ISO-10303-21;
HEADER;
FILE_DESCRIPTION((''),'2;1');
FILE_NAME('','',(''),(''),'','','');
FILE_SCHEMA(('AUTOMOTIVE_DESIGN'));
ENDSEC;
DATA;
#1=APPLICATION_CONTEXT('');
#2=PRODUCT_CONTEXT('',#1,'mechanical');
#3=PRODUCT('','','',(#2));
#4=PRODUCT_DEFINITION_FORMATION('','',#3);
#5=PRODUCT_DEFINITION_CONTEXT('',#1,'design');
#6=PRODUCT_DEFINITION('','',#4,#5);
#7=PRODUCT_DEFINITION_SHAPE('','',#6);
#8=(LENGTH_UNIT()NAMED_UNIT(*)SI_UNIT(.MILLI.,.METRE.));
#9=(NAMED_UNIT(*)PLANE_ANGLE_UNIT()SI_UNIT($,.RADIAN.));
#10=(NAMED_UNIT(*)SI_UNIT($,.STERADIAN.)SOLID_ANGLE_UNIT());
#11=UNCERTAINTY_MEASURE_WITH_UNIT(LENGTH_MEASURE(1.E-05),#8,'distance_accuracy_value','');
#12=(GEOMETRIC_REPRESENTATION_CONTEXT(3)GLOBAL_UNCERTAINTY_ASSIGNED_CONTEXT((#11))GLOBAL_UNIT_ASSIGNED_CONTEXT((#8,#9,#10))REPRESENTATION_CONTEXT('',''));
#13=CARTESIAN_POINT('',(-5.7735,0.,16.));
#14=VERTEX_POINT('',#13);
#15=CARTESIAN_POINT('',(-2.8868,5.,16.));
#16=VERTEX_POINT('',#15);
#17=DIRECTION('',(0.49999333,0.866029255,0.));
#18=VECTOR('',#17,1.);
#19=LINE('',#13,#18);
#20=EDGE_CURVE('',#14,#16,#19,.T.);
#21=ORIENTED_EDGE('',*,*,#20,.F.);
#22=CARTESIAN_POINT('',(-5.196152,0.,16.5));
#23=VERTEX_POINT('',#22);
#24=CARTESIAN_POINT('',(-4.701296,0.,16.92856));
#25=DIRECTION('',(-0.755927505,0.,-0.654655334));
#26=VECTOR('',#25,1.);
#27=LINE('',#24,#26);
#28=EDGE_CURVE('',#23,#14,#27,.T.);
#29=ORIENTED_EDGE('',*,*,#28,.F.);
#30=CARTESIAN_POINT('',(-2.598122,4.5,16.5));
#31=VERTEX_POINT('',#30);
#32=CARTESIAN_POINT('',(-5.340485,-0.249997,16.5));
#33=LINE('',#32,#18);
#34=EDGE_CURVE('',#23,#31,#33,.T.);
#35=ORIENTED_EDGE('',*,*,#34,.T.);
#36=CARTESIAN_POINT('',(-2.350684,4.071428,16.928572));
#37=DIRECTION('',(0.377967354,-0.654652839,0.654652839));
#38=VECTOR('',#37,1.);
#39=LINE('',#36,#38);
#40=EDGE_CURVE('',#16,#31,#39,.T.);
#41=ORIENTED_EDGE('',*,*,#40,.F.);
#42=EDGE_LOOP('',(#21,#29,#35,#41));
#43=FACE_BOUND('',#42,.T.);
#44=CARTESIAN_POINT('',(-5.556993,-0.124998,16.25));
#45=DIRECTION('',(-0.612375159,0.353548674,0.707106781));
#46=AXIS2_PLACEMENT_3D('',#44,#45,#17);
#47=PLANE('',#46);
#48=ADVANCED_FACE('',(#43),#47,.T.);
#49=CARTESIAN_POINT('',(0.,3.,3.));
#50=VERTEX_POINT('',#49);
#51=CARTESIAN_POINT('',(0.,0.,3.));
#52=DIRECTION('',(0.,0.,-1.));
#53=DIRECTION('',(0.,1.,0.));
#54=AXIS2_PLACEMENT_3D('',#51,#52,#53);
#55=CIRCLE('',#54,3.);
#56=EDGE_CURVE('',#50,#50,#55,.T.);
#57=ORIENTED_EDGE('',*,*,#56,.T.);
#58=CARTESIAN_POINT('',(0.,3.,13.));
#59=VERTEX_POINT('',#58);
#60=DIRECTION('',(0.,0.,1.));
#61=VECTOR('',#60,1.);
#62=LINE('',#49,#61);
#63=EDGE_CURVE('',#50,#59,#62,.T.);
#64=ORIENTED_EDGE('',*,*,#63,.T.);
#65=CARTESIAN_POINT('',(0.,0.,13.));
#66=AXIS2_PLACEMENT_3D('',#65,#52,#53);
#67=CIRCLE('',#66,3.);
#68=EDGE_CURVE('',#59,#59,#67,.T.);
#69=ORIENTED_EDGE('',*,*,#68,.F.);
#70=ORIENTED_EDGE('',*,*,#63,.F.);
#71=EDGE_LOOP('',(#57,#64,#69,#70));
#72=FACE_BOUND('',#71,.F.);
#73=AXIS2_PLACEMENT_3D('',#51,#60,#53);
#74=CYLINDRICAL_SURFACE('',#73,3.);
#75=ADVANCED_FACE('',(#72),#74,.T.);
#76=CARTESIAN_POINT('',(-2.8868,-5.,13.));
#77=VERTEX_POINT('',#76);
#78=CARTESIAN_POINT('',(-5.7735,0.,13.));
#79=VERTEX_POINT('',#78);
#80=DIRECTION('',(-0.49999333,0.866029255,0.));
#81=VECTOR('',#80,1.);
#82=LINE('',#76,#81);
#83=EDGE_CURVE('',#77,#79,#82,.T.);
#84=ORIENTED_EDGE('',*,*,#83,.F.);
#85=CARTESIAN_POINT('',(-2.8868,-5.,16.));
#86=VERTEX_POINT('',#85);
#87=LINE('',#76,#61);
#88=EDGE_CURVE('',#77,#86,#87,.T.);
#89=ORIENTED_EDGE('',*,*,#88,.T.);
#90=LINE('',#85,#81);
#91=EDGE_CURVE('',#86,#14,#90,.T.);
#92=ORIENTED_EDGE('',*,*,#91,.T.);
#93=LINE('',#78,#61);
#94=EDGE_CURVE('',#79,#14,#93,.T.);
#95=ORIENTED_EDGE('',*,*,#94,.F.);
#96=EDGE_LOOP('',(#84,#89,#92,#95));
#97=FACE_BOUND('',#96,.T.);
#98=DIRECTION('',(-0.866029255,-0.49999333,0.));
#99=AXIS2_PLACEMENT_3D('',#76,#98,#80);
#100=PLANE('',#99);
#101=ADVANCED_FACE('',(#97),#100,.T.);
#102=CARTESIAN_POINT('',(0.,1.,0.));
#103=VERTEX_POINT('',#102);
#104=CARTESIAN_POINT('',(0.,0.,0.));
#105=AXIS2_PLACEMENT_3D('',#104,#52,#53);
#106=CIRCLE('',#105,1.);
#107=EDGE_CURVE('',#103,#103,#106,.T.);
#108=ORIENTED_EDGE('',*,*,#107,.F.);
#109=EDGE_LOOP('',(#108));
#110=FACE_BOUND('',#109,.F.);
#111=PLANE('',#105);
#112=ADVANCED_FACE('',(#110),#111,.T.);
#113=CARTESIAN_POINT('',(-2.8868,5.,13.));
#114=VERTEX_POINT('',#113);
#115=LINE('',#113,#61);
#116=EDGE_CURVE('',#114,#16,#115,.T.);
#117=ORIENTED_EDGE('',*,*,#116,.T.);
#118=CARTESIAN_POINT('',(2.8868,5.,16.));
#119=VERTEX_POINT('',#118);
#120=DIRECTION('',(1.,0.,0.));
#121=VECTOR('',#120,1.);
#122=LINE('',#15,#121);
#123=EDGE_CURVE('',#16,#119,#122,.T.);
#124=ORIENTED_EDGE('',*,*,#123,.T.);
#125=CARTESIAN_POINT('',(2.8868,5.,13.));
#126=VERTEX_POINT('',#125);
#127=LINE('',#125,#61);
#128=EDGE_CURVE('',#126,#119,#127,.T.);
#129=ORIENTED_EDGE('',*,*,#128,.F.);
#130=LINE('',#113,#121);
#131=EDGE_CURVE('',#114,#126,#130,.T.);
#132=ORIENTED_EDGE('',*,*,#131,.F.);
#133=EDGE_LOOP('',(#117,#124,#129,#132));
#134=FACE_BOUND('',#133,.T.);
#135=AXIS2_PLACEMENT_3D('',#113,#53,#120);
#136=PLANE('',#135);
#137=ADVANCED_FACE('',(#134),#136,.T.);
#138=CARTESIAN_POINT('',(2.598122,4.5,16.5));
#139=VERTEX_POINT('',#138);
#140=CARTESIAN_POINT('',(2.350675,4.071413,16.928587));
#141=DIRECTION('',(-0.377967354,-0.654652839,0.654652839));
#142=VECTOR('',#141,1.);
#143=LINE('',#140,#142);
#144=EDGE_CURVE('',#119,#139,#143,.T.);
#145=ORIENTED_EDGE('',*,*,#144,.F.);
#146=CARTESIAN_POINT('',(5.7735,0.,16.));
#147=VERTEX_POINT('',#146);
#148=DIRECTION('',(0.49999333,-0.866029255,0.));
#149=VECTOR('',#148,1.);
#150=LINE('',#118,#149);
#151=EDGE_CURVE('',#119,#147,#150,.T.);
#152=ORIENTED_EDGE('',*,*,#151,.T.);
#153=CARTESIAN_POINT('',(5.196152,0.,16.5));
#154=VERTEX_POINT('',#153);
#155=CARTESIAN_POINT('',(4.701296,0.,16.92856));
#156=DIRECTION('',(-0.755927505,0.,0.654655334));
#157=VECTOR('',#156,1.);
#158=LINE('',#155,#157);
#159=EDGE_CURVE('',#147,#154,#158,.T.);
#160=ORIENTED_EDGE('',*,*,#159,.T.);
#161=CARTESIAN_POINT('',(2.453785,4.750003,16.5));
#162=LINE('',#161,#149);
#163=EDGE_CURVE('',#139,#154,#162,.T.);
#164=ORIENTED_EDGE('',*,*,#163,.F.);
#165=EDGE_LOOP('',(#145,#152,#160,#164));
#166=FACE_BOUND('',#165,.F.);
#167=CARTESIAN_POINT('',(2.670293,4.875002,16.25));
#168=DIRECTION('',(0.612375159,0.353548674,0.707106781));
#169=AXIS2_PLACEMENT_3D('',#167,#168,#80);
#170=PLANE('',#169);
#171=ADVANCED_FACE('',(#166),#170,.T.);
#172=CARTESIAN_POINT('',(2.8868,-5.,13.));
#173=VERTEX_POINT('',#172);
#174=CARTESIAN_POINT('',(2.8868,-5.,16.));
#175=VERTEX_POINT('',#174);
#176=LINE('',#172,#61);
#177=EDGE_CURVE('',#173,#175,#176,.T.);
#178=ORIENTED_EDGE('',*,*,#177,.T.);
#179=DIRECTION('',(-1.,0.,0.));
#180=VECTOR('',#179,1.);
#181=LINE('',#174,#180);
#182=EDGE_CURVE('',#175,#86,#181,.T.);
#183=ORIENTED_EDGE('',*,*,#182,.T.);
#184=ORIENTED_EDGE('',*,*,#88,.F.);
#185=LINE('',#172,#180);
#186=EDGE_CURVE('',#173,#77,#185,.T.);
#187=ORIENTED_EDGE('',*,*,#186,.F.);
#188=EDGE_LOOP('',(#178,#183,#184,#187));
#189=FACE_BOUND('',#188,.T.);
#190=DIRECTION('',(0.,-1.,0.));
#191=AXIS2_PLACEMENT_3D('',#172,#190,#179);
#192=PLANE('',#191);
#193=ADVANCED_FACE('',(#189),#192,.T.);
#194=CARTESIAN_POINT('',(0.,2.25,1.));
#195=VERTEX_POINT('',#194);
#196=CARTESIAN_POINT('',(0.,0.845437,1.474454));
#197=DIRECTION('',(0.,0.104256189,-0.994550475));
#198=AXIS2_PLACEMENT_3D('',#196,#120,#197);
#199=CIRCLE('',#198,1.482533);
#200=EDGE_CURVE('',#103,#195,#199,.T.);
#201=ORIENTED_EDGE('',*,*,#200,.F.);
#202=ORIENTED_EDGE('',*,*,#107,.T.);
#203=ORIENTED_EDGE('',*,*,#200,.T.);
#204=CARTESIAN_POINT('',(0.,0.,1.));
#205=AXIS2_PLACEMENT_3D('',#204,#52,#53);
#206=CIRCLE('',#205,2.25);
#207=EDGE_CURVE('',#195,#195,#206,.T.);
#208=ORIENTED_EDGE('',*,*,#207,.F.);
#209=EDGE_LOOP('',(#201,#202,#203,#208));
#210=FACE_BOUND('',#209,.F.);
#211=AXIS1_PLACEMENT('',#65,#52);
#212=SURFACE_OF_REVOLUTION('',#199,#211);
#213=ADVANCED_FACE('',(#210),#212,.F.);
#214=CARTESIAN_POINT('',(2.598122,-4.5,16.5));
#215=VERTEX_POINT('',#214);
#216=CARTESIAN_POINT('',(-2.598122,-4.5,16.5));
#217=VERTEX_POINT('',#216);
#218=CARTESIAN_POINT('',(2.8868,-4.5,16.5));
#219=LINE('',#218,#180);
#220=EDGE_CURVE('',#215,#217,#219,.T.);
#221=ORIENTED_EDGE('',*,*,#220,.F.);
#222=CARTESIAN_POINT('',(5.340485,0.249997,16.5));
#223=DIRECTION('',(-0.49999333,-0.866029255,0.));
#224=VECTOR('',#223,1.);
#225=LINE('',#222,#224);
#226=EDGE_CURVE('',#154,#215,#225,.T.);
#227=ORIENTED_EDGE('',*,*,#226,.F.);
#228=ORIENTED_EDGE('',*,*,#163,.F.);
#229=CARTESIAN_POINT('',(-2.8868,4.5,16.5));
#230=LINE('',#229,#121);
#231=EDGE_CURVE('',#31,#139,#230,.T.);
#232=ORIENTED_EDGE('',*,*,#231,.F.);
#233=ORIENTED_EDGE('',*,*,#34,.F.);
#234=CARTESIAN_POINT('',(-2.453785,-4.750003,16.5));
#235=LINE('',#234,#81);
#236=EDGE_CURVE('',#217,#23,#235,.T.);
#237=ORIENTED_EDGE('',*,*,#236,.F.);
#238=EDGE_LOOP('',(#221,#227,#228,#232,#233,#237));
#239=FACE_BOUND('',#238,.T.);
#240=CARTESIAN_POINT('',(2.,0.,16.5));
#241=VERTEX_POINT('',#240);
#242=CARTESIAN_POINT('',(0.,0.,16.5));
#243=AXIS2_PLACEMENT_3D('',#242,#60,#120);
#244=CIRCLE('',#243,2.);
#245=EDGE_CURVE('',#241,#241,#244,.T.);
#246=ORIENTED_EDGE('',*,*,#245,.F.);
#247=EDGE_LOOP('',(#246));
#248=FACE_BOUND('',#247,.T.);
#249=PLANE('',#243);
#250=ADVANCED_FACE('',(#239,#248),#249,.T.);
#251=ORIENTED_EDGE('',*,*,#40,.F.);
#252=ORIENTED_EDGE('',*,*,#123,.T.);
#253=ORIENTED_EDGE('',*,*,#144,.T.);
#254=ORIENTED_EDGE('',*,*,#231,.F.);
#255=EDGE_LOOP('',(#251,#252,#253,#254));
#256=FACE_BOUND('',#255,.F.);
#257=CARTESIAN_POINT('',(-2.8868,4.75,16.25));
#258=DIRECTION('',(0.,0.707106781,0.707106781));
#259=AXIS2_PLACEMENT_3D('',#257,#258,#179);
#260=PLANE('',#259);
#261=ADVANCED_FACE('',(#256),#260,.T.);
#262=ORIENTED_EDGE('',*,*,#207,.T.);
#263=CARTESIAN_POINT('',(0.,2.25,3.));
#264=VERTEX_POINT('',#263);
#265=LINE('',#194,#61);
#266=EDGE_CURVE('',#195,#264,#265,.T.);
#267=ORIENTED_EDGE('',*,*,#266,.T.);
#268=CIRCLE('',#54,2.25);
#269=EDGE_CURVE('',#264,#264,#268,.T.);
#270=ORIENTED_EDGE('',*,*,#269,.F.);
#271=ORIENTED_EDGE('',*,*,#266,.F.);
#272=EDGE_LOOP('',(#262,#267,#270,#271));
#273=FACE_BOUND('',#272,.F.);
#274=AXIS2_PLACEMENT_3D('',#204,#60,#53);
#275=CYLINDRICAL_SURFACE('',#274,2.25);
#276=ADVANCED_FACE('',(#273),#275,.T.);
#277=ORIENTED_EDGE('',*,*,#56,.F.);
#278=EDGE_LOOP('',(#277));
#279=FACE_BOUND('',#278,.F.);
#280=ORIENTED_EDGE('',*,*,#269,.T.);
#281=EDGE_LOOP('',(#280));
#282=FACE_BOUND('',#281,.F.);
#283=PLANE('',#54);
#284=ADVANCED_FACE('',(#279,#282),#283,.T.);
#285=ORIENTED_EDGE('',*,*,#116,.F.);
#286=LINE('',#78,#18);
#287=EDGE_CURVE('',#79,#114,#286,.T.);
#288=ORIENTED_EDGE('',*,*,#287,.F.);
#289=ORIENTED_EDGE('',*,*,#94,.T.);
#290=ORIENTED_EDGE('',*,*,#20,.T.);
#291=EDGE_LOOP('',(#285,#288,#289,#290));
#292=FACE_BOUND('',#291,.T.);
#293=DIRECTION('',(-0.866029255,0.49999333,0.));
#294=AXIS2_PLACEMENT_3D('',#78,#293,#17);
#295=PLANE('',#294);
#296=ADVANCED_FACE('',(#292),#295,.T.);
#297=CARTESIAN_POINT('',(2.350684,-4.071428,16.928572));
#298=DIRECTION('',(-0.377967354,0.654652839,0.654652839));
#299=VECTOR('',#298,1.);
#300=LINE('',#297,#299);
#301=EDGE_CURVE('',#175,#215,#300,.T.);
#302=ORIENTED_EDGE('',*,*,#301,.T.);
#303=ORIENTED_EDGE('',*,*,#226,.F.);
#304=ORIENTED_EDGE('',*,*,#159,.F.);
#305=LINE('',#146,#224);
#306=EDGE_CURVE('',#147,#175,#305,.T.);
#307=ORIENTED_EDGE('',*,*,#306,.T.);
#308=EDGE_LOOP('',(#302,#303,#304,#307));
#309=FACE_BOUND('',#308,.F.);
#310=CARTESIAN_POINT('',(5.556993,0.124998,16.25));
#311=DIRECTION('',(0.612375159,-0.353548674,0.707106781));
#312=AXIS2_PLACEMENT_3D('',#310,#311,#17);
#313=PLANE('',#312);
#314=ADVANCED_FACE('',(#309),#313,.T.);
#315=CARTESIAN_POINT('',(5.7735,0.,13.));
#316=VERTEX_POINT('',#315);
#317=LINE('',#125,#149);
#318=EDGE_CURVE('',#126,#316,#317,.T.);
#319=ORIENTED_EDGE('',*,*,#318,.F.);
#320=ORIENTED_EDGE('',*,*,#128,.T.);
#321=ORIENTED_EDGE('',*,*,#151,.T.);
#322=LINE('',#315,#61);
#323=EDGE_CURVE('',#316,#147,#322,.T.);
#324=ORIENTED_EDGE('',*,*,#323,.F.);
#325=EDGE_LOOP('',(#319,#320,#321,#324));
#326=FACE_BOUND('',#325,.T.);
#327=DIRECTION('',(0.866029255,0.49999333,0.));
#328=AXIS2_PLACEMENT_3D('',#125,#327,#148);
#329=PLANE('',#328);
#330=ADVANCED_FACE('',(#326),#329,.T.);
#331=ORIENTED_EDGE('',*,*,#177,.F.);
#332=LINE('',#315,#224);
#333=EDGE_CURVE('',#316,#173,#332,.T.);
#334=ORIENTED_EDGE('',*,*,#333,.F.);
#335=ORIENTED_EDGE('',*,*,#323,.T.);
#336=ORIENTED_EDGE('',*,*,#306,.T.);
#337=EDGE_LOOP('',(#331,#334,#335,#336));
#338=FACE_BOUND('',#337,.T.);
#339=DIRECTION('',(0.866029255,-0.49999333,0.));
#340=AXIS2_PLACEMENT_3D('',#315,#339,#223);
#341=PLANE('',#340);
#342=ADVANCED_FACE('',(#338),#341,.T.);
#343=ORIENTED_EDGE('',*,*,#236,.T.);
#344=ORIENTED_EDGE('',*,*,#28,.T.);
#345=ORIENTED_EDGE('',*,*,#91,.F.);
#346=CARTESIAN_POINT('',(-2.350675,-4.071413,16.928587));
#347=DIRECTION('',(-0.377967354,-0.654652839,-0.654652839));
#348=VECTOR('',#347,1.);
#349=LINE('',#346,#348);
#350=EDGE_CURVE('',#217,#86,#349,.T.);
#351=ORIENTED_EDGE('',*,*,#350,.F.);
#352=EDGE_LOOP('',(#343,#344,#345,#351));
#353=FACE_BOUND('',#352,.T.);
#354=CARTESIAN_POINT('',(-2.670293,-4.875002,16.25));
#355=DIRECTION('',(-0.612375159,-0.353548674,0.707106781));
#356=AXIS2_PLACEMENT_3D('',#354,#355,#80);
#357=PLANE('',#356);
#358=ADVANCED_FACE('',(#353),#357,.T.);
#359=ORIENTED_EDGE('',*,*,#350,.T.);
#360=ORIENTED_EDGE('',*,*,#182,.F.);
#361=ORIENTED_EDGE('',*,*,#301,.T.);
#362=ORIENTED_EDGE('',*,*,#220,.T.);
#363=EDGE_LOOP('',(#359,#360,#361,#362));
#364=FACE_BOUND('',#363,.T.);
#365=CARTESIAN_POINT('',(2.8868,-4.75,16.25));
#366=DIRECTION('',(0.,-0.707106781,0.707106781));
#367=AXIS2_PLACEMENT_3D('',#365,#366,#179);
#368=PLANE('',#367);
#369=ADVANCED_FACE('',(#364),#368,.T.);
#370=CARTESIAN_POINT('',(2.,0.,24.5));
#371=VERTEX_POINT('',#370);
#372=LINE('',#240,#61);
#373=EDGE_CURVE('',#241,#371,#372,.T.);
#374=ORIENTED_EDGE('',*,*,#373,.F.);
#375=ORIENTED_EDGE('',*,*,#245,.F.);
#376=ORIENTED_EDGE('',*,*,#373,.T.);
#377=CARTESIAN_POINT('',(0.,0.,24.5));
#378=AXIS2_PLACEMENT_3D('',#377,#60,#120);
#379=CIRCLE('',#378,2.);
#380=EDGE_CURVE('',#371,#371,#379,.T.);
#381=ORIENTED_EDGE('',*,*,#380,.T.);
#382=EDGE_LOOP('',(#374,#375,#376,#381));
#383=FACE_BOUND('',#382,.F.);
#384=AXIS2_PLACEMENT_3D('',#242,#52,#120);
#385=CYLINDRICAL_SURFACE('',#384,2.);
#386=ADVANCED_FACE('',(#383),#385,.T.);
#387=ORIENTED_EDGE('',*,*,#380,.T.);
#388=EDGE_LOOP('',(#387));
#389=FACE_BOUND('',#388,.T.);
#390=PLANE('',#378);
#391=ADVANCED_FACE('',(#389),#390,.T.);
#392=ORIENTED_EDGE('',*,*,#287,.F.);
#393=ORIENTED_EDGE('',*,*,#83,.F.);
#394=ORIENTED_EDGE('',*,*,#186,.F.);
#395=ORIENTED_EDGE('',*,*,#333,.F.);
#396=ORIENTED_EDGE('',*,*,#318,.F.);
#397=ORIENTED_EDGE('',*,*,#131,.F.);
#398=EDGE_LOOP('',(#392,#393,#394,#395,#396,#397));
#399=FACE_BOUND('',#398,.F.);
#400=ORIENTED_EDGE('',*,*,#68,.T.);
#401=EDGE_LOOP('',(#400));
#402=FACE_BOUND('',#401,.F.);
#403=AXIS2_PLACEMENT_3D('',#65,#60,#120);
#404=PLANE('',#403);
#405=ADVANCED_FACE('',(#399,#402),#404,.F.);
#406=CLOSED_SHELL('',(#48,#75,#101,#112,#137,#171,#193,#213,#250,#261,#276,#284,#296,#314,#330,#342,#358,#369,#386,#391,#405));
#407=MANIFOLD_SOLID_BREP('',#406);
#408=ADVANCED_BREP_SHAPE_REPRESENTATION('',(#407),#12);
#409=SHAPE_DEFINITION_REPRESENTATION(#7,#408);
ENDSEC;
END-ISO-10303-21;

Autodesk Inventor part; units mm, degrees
ref_plane "YZ Plane" through (0, 0, 0) normal (1, 0, 0) x (0, 1, 0)
ref_plane "XZ Plane" through (0, 0, 0) normal (0, 1, 0) x (-1, 0, 0)
ref_plane "XY Plane" through (0, 0, 0) normal (0, 0, 1) x (1, 0, 0)
sketch "Sketch2" plane through (0, 0, 0) normal (1, 0, 0) x (0, 1, 0)
  line L0 (0, 0) -> (1, 0)
  line L1 (1, 0) -> (1, 1)
  line L2 (1, 1) -> (2.25, 1)
  line L3 (2.25, 1) -> (2.25, 3)
  line L4 (2.25, 3) -> (3, 3)
  line L5 (3, 3) -> (3, 13)
  line L6 (3, 13) -> (0, 13)
  line L7 (0, 13) -> (0, 0)
  arc A0 (1, 0) -> (2.25, 1) centre (0.8455, 1.4743) ccw
  dimension "d3" = 1
  dimension "d4" = 1
  dimension "d5" = 1.25
  dimension "d6" = 2
  dimension "d7" = 0.75
  dimension "d8" = 10
  dimension "d9" = 3
revolve "Revolution1" add sketch "Sketch2" angle 360 about axis through (0, 0, 13) along (0, 0, -1)
thread "Thread1" size "M6x1" class "6g" standard "ANSI Metric M Profile" full length
sketch "Sketch3" plane through (0, 0, 13) normal (0, 0, 1) x (1, 0, 0)
  line L0 (2.8868, 5) -> (5.7735, 0)
  line L1 (5.7735, 0) -> (2.8868, -5)
  line L2 (2.8868, -5) -> (-2.8868, -5)
  line L3 (-2.8868, -5) -> (-5.7735, 0)
  line L4 (-5.7735, 0) -> (-2.8868, 5)
  line L5 (-2.8868, 5) -> (2.8868, 5)
  point P0 (0, 0)
  point P1 (0, 0)
  dimension "d13" = 10
extrude "Extrusion2" add sketch "Sketch3" along normal blind 3.5
chamfer "Chamfer1" distance 0.5 angle 45 6 edges at (0, 5, 16.5) (4.3301, 2.5, 16.5) (4.3301, -2.5, 16.5) (0, -5, 16.5) (-4.3301, -2.5, 16.5) (-4.3301, 2.5, 16.5)
sketch "Sketch4" plane through (0, 0, 16.5) normal (0, 0, 1) x (1, 0, 0)
  circle A0 centre (0, 0) radius 2
  dimension "d19" = 4
extrude "Extrusion3" add sketch "Sketch4" along normal blind 8
properties part number "Termocupla" material "Steel"
